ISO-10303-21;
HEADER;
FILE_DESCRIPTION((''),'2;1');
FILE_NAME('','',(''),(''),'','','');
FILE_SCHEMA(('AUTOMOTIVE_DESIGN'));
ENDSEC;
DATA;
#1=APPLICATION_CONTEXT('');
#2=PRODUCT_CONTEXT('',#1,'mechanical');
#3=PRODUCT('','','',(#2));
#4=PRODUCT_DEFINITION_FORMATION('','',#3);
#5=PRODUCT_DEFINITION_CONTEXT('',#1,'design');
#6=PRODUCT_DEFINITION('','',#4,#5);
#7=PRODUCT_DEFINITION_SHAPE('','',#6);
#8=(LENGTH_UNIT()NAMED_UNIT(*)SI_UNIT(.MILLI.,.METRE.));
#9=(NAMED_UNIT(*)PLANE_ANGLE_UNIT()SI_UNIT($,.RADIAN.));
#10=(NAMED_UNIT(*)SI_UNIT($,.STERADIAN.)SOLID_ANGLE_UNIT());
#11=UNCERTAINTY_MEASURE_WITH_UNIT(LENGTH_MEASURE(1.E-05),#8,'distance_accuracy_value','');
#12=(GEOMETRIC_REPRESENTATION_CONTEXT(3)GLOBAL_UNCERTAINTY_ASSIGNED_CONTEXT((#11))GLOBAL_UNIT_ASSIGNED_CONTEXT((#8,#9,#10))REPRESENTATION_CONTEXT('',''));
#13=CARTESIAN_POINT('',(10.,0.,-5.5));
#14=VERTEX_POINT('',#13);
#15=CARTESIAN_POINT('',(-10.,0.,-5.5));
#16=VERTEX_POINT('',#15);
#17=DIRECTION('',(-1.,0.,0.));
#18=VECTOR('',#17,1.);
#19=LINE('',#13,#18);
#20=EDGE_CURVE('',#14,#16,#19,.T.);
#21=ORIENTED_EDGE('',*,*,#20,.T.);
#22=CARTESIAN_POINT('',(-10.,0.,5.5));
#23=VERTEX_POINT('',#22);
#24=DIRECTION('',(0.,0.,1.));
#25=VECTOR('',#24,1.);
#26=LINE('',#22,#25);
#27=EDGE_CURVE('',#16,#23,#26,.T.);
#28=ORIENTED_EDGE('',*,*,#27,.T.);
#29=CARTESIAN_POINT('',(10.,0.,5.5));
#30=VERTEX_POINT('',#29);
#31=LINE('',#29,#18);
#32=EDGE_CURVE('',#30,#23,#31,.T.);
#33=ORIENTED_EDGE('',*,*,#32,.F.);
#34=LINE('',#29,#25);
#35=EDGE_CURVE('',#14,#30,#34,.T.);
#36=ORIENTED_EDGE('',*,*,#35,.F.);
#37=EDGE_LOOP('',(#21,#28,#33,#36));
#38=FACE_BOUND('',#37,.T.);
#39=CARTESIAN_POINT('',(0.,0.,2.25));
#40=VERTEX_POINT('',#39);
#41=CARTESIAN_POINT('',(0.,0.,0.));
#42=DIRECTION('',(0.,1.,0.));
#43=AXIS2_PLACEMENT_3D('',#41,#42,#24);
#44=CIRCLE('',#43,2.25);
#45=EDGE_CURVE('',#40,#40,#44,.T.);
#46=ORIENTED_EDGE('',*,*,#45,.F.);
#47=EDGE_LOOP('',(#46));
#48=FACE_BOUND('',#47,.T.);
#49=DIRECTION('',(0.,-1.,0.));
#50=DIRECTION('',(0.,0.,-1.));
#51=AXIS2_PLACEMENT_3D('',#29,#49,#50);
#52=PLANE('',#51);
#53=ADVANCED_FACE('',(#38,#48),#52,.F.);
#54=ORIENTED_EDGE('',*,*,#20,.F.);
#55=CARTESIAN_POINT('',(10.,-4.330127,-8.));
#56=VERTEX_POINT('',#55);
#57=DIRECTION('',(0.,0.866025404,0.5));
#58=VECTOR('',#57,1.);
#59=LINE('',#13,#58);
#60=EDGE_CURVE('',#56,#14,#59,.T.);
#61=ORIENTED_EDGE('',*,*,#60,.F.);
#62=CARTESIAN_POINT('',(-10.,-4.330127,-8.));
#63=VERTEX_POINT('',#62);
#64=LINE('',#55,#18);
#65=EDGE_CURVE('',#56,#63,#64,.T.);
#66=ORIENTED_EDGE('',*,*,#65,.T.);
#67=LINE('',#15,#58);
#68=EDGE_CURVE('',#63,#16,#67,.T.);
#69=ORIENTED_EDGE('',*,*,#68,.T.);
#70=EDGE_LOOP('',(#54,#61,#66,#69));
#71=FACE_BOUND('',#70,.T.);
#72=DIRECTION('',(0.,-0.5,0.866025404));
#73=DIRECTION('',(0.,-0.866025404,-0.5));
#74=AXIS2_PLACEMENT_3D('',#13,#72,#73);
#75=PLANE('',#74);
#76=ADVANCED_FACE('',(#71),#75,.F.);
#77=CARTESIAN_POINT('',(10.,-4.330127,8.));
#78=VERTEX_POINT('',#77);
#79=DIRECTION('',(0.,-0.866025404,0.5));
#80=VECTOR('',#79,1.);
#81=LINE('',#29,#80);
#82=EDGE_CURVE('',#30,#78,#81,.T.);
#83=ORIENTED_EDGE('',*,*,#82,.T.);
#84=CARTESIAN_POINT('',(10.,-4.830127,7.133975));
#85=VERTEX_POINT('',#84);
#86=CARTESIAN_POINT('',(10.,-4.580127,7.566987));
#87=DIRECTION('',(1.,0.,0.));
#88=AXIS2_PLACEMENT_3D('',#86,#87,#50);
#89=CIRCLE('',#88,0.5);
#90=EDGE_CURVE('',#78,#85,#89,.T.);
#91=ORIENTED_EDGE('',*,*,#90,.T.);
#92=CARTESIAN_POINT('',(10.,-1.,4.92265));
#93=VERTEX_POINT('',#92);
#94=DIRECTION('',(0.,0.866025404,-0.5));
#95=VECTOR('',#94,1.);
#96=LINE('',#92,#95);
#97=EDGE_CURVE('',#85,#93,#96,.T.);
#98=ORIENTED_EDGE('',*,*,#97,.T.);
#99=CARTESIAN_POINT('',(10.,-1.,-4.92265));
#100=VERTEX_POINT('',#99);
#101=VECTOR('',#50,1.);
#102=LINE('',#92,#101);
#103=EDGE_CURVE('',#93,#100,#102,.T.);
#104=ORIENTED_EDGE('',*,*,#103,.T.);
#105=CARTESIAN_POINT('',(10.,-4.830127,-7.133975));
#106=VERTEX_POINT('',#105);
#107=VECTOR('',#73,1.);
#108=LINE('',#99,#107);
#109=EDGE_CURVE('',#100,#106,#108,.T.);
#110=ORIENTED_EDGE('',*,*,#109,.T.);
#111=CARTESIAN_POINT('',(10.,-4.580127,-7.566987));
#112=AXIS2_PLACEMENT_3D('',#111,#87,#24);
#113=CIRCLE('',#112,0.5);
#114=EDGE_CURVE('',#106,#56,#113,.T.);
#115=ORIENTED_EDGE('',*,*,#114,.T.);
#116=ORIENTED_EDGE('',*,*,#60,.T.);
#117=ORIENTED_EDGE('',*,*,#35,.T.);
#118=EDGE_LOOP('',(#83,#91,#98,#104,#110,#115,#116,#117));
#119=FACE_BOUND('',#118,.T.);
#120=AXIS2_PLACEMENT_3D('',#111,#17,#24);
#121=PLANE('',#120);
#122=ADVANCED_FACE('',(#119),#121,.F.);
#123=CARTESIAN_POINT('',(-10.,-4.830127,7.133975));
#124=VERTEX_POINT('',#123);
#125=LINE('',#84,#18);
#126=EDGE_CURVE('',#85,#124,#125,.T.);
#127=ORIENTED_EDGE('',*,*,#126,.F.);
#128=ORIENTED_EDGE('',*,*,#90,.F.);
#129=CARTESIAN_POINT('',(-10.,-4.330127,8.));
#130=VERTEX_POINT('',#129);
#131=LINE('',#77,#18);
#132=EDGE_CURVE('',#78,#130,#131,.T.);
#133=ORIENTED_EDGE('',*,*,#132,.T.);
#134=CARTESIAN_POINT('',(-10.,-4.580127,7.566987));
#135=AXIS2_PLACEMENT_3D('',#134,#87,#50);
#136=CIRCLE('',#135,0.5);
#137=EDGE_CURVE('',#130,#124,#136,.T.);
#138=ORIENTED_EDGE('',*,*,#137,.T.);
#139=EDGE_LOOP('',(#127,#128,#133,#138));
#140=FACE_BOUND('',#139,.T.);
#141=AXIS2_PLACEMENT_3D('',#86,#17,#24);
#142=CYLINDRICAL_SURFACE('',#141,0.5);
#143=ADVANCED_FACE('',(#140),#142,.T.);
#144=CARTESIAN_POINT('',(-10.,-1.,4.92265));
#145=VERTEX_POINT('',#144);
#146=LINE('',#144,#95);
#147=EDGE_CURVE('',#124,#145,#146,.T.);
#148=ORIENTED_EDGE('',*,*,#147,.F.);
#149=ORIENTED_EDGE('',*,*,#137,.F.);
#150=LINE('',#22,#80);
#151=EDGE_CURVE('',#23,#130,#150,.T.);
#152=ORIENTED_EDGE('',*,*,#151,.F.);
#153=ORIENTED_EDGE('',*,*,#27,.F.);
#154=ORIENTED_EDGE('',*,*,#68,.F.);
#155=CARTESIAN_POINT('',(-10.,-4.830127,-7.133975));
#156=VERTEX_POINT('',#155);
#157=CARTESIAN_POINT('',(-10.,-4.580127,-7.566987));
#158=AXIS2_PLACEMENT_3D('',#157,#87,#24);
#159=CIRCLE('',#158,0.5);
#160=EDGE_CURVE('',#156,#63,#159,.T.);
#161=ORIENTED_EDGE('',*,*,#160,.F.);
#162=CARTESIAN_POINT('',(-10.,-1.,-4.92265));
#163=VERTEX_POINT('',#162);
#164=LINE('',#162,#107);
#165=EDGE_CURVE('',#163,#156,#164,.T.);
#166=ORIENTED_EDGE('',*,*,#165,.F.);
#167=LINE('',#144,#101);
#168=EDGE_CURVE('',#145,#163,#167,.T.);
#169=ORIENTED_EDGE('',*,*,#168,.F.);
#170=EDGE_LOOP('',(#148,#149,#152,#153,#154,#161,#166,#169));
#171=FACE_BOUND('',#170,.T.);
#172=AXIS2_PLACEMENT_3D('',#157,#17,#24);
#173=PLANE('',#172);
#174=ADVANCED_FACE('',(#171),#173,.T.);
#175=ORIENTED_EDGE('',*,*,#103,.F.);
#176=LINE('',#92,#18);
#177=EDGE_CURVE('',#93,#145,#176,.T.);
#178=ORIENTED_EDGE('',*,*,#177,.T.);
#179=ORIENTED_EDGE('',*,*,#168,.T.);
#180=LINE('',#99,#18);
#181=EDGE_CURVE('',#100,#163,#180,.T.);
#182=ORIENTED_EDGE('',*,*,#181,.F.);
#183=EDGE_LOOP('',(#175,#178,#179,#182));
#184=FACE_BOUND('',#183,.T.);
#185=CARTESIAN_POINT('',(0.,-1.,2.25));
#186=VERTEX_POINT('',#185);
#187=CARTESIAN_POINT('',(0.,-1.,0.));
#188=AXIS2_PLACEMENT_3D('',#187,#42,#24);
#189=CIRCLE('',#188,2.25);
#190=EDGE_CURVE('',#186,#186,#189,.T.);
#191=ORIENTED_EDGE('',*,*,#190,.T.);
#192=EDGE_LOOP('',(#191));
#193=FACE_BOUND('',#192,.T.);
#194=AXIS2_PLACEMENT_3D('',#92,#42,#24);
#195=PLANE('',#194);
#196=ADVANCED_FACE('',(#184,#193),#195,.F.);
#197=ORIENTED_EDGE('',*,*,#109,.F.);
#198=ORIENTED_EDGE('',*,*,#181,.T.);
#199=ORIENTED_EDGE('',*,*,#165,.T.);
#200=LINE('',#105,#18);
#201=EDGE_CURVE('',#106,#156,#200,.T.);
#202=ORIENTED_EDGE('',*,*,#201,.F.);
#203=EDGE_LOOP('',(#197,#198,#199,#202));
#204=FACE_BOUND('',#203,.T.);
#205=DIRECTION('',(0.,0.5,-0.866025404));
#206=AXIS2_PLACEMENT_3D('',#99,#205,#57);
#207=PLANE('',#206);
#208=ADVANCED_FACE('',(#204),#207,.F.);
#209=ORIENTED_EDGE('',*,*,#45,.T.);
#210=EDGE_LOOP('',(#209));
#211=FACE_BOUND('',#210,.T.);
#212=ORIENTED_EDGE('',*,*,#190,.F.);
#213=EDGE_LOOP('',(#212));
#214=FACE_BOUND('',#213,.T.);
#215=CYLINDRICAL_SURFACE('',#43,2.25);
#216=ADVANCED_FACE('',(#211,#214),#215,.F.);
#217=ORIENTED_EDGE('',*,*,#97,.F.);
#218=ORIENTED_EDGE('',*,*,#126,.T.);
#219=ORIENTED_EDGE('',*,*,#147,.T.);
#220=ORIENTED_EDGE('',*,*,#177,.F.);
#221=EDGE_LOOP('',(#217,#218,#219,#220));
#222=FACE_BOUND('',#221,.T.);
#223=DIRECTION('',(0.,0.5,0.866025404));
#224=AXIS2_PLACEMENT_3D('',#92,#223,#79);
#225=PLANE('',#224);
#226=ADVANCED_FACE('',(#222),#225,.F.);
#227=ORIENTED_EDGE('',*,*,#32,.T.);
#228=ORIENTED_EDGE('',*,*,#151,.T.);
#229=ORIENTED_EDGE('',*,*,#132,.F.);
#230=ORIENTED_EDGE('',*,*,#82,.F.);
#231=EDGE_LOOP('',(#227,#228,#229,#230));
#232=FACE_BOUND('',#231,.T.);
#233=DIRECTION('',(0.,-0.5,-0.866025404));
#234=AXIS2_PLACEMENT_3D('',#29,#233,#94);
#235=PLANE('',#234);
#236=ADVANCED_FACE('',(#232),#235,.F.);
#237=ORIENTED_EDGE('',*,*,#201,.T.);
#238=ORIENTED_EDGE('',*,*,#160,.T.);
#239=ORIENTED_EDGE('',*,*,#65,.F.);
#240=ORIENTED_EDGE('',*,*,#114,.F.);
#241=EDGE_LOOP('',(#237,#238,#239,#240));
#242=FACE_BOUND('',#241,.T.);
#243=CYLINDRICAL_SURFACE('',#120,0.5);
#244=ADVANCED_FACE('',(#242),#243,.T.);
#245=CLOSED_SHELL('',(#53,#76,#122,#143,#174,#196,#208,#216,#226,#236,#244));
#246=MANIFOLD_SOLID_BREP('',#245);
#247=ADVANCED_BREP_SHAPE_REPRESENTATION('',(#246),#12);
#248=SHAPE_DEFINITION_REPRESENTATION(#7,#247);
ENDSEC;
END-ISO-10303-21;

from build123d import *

# Parameters (mm, degrees)
BOSS_EXTRUDE1_DEPTH  = 10
M4_CLEARANCE_HOLE1_D = 4.5


with BuildPart() as part:
    # Sketch1 → Boss-Extrude1 (new, symmetric)
    with BuildSketch(Plane(origin=(0, 0, 0), x_dir=(0, 0, -1), z_dir=(1, 0, 0))):
        with BuildLine():
            Line((-5.5, 0), (5.5, 0))
            Line((5.5, 0), (8, -4.330127019))
            ThreePointArc((8, -4.330127019), (7.816987298, -5.013139721), (7.133974596, -4.830127019))
            Line((7.133974596, -4.830127019), (4.922649731, -1))
            Line((4.922649731, -1), (-4.922649731, -1))
            Line((-4.922649731, -1), (-7.133974596, -4.830127019))
            ThreePointArc((-7.133974596, -4.830127019), (-7.816987298, -5.013139721), (-8, -4.330127019))
            Line((-8, -4.330127019), (-5.5, 0))
        make_face()
    extrude(amount=BOSS_EXTRUDE1_DEPTH, both=True)

    # M4 Clearance Hole1 (through all)
    with Locations(Plane(origin=(0, 0, 0), x_dir=(1, 0, 0), z_dir=(0, 1, 0))):
        with Locations((0, 0)):
            Hole(M4_CLEARANCE_HOLE1_D / 2)


solid = part.part
